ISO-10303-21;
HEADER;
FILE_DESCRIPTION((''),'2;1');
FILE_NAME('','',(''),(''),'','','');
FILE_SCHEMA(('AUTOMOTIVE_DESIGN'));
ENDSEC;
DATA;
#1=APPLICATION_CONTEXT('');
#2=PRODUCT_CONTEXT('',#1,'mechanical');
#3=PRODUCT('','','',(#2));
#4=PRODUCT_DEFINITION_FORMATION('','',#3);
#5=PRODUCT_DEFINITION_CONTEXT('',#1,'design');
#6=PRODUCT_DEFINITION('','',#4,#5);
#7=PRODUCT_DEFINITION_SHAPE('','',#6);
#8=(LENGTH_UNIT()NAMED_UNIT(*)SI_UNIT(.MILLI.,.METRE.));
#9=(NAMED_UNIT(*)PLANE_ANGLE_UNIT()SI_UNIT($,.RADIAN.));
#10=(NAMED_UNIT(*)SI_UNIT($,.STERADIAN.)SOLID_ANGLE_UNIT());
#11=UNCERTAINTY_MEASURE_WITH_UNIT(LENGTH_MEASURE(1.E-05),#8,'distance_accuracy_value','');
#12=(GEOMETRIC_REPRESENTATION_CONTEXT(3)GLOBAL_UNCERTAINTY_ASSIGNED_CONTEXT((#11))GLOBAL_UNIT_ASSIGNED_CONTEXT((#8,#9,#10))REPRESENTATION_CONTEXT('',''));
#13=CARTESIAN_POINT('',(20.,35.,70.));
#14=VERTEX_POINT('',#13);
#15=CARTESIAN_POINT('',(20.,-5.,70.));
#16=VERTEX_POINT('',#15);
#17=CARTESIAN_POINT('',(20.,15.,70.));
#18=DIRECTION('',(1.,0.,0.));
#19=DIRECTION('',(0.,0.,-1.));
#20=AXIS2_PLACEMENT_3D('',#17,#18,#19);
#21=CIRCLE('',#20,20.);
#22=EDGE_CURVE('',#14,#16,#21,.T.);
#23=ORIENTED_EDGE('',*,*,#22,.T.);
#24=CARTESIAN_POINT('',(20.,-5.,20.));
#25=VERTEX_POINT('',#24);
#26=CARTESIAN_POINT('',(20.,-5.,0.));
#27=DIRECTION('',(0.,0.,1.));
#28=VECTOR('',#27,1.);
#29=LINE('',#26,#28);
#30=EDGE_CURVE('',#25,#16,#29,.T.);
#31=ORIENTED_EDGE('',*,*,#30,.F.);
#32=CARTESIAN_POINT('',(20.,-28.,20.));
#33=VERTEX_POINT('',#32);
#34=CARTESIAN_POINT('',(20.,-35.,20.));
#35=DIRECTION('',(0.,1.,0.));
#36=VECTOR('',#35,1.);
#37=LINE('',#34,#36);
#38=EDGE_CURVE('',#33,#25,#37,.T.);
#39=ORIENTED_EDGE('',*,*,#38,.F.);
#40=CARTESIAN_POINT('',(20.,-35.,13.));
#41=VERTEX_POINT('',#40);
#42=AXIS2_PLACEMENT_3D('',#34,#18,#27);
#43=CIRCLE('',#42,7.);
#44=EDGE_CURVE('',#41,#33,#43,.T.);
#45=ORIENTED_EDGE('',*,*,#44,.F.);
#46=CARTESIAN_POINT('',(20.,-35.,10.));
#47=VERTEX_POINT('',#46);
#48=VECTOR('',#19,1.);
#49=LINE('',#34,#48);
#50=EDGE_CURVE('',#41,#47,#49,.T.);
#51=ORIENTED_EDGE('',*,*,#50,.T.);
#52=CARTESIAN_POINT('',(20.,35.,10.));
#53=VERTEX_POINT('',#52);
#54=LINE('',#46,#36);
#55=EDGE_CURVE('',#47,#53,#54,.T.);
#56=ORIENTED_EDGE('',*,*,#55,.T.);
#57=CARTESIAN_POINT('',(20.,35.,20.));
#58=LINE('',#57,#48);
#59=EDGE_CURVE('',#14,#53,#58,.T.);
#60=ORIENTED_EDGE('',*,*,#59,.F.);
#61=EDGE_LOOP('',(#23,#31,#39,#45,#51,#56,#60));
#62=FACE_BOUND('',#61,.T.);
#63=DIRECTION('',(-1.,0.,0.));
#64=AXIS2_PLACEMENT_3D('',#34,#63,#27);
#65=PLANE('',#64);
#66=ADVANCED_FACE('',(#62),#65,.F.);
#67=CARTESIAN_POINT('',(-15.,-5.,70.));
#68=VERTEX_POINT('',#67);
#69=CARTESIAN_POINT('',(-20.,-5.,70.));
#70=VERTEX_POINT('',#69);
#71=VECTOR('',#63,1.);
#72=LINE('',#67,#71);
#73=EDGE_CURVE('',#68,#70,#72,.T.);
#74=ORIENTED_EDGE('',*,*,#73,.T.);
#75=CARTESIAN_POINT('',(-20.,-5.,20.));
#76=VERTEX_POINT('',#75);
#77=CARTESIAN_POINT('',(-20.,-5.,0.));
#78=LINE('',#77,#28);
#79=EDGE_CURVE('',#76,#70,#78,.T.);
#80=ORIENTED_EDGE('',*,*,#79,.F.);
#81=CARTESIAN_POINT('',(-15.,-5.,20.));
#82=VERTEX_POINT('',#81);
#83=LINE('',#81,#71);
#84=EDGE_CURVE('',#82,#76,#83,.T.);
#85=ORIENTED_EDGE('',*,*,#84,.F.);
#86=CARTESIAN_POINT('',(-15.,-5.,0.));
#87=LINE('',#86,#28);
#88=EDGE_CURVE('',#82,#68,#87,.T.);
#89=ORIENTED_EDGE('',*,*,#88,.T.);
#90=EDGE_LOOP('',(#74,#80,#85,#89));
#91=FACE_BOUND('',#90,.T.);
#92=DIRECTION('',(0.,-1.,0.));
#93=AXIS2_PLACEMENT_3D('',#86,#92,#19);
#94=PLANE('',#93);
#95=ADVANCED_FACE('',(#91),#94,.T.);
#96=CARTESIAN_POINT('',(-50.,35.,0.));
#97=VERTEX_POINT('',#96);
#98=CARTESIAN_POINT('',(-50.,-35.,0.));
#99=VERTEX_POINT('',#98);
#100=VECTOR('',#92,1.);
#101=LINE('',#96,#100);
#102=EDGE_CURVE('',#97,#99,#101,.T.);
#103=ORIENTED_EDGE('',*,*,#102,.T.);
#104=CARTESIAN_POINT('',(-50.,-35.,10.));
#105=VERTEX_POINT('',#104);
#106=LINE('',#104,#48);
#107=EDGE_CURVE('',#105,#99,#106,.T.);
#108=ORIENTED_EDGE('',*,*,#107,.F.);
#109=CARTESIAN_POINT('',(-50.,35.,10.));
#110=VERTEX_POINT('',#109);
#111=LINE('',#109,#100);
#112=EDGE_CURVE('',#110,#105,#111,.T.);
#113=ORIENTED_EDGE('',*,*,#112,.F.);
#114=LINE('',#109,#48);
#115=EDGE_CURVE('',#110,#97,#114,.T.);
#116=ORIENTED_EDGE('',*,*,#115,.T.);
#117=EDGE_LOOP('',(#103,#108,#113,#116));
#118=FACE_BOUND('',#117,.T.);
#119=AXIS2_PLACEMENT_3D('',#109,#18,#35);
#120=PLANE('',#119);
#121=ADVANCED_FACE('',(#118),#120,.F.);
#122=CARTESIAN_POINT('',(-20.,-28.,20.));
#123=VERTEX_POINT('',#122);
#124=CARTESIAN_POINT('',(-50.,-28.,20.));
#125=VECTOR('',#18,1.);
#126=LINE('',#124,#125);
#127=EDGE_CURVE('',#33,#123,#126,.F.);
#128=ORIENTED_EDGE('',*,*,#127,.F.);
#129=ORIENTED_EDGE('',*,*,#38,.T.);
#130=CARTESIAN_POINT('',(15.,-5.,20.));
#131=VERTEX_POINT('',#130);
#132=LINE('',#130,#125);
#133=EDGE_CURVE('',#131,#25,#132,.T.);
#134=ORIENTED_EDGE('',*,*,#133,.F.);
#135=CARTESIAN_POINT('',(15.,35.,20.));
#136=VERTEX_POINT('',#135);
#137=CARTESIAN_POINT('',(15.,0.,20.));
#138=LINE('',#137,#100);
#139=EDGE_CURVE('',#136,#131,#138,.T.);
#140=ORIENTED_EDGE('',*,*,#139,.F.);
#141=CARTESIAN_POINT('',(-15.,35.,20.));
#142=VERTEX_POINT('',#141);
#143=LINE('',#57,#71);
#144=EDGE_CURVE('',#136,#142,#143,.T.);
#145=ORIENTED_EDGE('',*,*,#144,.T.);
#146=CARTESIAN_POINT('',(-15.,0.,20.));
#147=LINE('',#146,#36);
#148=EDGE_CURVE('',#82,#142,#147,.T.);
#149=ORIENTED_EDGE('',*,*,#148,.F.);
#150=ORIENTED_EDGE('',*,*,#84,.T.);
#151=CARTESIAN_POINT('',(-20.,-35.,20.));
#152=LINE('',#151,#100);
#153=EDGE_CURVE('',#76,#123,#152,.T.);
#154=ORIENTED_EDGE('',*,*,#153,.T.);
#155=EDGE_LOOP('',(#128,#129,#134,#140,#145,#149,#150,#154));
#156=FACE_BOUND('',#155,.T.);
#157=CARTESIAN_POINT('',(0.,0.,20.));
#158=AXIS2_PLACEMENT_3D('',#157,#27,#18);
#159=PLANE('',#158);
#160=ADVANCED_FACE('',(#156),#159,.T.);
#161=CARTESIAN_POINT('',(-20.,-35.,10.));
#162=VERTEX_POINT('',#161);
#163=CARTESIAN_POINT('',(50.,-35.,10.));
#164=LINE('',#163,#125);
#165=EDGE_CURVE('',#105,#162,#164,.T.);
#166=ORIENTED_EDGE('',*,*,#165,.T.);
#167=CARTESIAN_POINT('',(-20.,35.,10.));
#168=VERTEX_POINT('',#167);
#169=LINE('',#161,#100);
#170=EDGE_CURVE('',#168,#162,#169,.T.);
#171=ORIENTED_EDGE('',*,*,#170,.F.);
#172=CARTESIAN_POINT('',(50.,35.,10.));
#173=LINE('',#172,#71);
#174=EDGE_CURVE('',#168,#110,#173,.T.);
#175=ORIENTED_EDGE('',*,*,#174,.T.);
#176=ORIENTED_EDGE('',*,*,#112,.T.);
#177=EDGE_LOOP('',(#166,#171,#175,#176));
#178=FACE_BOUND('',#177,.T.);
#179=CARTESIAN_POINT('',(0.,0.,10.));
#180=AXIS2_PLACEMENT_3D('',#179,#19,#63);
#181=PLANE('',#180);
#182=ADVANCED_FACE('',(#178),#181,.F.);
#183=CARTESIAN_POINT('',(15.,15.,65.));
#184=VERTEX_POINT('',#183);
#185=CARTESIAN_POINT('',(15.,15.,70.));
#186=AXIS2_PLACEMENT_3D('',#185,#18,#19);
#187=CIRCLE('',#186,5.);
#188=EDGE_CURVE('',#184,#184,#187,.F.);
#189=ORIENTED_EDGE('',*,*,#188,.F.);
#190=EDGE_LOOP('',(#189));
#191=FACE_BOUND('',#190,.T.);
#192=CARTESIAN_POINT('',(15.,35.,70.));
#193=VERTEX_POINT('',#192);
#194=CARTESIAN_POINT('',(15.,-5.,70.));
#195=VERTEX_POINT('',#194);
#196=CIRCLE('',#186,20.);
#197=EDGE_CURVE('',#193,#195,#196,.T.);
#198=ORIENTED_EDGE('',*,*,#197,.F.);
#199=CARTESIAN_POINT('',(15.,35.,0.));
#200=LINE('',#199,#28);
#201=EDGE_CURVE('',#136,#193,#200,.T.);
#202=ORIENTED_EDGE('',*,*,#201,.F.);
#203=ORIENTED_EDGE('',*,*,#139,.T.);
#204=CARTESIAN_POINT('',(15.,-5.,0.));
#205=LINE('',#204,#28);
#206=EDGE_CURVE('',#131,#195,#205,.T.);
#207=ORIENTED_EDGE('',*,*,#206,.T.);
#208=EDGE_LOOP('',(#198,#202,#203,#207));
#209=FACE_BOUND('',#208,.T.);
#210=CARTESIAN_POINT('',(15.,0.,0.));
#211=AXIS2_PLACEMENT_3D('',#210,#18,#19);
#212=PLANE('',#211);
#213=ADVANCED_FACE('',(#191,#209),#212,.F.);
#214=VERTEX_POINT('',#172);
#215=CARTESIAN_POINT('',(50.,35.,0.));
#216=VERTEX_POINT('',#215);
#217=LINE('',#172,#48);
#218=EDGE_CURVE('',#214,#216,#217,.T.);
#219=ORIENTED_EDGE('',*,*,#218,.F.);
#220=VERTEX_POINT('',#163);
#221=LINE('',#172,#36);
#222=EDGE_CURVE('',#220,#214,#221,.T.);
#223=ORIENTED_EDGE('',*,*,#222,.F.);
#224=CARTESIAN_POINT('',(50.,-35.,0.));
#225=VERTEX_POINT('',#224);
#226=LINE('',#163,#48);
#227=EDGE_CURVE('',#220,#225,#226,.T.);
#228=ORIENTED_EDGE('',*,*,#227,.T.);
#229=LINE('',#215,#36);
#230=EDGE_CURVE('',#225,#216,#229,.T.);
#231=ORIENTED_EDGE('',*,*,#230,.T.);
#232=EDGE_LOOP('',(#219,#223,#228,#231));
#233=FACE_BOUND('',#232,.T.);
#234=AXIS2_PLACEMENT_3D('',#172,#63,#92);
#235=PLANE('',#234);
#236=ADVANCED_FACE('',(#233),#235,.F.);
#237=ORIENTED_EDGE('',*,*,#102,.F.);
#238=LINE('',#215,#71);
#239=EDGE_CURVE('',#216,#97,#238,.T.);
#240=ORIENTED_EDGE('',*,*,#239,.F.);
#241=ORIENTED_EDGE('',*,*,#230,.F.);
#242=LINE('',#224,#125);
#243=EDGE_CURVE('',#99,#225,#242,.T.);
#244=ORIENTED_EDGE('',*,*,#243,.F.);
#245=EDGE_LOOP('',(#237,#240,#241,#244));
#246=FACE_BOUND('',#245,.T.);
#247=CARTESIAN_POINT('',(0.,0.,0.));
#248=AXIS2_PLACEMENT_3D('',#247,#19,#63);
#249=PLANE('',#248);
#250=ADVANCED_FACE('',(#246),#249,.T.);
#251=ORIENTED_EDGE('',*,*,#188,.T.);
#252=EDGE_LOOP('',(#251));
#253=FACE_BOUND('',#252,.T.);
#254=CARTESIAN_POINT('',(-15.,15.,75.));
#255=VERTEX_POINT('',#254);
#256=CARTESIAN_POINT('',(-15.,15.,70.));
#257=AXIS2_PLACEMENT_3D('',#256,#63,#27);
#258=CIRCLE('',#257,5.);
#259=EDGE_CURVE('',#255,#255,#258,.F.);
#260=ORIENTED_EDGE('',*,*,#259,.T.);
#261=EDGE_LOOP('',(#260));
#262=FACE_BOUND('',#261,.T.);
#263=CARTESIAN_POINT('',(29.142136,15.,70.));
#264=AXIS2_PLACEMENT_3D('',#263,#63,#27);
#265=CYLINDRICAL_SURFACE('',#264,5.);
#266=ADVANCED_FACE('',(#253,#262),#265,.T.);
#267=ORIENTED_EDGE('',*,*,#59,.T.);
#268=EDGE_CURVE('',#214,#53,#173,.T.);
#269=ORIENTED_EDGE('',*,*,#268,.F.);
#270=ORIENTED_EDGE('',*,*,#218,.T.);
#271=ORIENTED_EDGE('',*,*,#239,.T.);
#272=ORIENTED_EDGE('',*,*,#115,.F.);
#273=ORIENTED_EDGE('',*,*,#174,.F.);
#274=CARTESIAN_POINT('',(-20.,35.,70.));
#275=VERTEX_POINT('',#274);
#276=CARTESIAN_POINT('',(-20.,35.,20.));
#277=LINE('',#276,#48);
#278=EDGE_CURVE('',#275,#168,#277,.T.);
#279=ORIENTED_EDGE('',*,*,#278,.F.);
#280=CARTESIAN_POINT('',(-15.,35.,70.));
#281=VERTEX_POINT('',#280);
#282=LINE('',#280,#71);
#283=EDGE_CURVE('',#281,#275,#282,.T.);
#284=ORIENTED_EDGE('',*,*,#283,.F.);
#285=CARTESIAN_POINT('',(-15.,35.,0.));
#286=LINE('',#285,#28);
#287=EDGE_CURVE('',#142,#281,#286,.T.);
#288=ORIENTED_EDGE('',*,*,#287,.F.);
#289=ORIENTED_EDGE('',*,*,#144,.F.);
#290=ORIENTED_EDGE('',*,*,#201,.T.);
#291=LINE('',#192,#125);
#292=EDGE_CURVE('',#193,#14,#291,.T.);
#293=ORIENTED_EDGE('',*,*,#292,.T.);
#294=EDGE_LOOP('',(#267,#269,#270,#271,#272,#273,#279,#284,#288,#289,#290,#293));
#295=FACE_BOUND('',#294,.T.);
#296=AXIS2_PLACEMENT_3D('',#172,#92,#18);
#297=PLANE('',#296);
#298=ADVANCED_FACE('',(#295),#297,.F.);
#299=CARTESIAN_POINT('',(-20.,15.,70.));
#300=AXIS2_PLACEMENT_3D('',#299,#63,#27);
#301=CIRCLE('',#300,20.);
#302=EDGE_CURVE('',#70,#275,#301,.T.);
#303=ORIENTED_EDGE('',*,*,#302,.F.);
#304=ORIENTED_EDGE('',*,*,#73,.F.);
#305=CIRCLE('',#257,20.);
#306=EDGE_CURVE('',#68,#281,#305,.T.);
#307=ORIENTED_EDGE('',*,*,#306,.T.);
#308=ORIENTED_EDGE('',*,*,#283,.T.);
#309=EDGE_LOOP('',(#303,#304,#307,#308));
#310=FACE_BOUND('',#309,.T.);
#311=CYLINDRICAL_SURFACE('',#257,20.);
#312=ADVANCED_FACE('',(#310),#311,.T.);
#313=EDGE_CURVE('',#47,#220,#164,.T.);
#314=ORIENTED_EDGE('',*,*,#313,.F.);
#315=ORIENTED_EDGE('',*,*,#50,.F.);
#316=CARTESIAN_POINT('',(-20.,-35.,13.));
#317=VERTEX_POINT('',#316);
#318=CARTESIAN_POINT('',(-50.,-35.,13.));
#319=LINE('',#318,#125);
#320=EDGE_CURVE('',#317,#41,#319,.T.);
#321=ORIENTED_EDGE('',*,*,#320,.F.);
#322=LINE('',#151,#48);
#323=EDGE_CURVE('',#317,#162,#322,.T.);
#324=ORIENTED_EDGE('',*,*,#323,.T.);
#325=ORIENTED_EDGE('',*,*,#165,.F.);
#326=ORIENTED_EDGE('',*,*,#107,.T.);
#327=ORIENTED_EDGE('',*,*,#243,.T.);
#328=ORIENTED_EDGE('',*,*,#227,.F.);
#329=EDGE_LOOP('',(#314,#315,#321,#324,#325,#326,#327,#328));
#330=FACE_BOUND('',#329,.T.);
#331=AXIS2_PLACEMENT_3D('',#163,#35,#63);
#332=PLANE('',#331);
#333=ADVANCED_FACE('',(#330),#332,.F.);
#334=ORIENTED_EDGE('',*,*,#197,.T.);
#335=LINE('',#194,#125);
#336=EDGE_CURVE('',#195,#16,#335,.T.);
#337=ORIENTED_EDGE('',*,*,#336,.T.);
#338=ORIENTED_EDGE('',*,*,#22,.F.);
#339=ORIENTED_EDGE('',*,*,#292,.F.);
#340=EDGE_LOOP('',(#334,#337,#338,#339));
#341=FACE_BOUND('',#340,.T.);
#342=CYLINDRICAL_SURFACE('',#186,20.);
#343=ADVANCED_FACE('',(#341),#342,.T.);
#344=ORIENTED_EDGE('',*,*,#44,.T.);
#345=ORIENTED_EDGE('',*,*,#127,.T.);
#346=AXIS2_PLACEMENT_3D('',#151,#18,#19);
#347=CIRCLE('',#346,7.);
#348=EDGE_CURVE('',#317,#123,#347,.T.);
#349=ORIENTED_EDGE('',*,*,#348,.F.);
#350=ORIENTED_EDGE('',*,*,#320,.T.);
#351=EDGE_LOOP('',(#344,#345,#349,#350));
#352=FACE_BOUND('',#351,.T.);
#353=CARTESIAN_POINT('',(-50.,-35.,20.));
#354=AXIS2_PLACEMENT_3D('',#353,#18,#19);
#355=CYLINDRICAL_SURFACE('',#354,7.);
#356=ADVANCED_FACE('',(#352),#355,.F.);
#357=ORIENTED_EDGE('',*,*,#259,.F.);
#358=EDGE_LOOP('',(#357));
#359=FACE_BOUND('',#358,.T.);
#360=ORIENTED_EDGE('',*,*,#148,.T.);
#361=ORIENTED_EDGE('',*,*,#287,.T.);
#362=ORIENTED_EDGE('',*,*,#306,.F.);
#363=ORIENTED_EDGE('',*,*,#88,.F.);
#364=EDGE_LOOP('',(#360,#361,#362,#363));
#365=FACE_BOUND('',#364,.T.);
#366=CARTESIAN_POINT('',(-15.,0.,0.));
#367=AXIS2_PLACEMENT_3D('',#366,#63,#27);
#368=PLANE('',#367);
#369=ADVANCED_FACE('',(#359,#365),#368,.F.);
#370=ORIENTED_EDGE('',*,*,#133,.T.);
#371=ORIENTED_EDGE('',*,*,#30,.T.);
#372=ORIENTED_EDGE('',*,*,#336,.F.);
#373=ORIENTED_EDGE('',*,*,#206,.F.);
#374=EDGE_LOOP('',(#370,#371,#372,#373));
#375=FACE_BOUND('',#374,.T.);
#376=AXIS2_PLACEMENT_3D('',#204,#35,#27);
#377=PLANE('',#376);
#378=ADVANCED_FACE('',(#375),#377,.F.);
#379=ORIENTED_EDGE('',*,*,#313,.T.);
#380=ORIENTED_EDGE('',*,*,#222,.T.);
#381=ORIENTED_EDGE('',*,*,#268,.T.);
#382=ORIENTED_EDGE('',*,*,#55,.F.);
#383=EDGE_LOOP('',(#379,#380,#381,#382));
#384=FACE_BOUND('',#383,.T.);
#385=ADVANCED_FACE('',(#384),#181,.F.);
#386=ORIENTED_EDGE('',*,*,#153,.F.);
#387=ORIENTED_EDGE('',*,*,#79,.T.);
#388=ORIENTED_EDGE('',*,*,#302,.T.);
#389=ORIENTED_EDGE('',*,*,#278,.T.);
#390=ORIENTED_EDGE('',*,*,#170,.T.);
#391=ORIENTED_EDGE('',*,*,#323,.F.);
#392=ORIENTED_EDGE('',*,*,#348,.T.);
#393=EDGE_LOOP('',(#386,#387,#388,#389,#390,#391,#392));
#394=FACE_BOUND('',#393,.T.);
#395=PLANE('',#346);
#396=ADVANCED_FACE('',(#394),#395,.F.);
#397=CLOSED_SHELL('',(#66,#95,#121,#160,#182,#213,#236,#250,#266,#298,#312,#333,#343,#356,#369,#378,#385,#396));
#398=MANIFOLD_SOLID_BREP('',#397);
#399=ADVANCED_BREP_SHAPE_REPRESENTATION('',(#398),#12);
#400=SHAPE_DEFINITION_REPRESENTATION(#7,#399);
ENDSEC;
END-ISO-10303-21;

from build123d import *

# Parameters (mm, degrees)
SKETCH_1_W          = 100
SKETCH_1_H          = 70
EXTRUDE_1_DEPTH     = 10
SKETCH_2_W          = 40
SKETCH_2_H          = 70
EXTRUDE_2_DEPTH     = 10
CUT_EXTRUDE_1_DEPTH = 81.777472107
SKETCH_4_W          = 50
SKETCH_4_H          = 40
EXTRUDE_3_DEPTH     = 5
EXTRUDE_START       = -5
SKETCH_5_W          = 50
SKETCH_5_H          = 40
EXTRUDE_4_DEPTH     = 5
SKETCH_6_R          = 5
EXTRUDE_5_DEPTH     = 30


with BuildPart() as part:
    # 草圖1 → 填料-伸長1 (new body)
    with BuildSketch(Plane.XY):
        Rectangle(SKETCH_1_W, SKETCH_1_H)
    extrude(amount=EXTRUDE_1_DEPTH)

    # 草圖2 → 填料-伸長2 (add)
    with BuildSketch(Plane.XY.offset(10)):
        Rectangle(SKETCH_2_W, SKETCH_2_H)
    extrude(amount=EXTRUDE_2_DEPTH)

    # 草圖3 → 除料-伸長1 (cut, through all)
    with BuildSketch(Plane(origin=(20, 0, 0), x_dir=(0, 0, -1), z_dir=(1, 0, 0))):
        with BuildLine():
            Line((-20, -35), (-20, -28))
            ThreePointArc((-20, -28), (-15.050252532, -30.050252532), (-13, -35))
            Line((-13, -35), (-20, -35))
        make_face()
    extrude(amount=-CUT_EXTRUDE_1_DEPTH, mode=Mode.SUBTRACT)

    # 草圖4 → 填料-伸長3 (add)
    with BuildSketch(Plane(origin=(20, 0, 0), x_dir=(0, 0, -1), z_dir=(1, 0, 0))):
        with Locations((-45, 15)):
            Rectangle(SKETCH_4_W, SKETCH_4_H)
        with BuildLine():
            Line((-70, 35), (-70, -5))
            ThreePointArc((-70, -5), (-90, 15), (-70, 35))
        make_face()
    extrude(amount=-EXTRUDE_3_DEPTH)

    # 草圖5 → 填料-伸長4 (add)
    with BuildSketch(Plane.ZY.offset(20).offset(EXTRUDE_START)):
        with Locations((45, 15)):
            Rectangle(SKETCH_5_W, SKETCH_5_H)
        with BuildLine():
            Line((70, 35), (70, -5))
            ThreePointArc((70, -5), (90, 15), (70, 35))
        make_face()
    extrude(amount=EXTRUDE_4_DEPTH)

    # 草圖6 → 填料-伸長5 (add)
    with BuildSketch(Plane(origin=(-15, 0, 0), x_dir=(0, 0, -1), z_dir=(1, 0, 0))):
        with Locations(Location((-70, 15, 0), (0, 0, 180))):
            Circle(SKETCH_6_R)
    extrude(amount=EXTRUDE_5_DEPTH)


solid = part.part
